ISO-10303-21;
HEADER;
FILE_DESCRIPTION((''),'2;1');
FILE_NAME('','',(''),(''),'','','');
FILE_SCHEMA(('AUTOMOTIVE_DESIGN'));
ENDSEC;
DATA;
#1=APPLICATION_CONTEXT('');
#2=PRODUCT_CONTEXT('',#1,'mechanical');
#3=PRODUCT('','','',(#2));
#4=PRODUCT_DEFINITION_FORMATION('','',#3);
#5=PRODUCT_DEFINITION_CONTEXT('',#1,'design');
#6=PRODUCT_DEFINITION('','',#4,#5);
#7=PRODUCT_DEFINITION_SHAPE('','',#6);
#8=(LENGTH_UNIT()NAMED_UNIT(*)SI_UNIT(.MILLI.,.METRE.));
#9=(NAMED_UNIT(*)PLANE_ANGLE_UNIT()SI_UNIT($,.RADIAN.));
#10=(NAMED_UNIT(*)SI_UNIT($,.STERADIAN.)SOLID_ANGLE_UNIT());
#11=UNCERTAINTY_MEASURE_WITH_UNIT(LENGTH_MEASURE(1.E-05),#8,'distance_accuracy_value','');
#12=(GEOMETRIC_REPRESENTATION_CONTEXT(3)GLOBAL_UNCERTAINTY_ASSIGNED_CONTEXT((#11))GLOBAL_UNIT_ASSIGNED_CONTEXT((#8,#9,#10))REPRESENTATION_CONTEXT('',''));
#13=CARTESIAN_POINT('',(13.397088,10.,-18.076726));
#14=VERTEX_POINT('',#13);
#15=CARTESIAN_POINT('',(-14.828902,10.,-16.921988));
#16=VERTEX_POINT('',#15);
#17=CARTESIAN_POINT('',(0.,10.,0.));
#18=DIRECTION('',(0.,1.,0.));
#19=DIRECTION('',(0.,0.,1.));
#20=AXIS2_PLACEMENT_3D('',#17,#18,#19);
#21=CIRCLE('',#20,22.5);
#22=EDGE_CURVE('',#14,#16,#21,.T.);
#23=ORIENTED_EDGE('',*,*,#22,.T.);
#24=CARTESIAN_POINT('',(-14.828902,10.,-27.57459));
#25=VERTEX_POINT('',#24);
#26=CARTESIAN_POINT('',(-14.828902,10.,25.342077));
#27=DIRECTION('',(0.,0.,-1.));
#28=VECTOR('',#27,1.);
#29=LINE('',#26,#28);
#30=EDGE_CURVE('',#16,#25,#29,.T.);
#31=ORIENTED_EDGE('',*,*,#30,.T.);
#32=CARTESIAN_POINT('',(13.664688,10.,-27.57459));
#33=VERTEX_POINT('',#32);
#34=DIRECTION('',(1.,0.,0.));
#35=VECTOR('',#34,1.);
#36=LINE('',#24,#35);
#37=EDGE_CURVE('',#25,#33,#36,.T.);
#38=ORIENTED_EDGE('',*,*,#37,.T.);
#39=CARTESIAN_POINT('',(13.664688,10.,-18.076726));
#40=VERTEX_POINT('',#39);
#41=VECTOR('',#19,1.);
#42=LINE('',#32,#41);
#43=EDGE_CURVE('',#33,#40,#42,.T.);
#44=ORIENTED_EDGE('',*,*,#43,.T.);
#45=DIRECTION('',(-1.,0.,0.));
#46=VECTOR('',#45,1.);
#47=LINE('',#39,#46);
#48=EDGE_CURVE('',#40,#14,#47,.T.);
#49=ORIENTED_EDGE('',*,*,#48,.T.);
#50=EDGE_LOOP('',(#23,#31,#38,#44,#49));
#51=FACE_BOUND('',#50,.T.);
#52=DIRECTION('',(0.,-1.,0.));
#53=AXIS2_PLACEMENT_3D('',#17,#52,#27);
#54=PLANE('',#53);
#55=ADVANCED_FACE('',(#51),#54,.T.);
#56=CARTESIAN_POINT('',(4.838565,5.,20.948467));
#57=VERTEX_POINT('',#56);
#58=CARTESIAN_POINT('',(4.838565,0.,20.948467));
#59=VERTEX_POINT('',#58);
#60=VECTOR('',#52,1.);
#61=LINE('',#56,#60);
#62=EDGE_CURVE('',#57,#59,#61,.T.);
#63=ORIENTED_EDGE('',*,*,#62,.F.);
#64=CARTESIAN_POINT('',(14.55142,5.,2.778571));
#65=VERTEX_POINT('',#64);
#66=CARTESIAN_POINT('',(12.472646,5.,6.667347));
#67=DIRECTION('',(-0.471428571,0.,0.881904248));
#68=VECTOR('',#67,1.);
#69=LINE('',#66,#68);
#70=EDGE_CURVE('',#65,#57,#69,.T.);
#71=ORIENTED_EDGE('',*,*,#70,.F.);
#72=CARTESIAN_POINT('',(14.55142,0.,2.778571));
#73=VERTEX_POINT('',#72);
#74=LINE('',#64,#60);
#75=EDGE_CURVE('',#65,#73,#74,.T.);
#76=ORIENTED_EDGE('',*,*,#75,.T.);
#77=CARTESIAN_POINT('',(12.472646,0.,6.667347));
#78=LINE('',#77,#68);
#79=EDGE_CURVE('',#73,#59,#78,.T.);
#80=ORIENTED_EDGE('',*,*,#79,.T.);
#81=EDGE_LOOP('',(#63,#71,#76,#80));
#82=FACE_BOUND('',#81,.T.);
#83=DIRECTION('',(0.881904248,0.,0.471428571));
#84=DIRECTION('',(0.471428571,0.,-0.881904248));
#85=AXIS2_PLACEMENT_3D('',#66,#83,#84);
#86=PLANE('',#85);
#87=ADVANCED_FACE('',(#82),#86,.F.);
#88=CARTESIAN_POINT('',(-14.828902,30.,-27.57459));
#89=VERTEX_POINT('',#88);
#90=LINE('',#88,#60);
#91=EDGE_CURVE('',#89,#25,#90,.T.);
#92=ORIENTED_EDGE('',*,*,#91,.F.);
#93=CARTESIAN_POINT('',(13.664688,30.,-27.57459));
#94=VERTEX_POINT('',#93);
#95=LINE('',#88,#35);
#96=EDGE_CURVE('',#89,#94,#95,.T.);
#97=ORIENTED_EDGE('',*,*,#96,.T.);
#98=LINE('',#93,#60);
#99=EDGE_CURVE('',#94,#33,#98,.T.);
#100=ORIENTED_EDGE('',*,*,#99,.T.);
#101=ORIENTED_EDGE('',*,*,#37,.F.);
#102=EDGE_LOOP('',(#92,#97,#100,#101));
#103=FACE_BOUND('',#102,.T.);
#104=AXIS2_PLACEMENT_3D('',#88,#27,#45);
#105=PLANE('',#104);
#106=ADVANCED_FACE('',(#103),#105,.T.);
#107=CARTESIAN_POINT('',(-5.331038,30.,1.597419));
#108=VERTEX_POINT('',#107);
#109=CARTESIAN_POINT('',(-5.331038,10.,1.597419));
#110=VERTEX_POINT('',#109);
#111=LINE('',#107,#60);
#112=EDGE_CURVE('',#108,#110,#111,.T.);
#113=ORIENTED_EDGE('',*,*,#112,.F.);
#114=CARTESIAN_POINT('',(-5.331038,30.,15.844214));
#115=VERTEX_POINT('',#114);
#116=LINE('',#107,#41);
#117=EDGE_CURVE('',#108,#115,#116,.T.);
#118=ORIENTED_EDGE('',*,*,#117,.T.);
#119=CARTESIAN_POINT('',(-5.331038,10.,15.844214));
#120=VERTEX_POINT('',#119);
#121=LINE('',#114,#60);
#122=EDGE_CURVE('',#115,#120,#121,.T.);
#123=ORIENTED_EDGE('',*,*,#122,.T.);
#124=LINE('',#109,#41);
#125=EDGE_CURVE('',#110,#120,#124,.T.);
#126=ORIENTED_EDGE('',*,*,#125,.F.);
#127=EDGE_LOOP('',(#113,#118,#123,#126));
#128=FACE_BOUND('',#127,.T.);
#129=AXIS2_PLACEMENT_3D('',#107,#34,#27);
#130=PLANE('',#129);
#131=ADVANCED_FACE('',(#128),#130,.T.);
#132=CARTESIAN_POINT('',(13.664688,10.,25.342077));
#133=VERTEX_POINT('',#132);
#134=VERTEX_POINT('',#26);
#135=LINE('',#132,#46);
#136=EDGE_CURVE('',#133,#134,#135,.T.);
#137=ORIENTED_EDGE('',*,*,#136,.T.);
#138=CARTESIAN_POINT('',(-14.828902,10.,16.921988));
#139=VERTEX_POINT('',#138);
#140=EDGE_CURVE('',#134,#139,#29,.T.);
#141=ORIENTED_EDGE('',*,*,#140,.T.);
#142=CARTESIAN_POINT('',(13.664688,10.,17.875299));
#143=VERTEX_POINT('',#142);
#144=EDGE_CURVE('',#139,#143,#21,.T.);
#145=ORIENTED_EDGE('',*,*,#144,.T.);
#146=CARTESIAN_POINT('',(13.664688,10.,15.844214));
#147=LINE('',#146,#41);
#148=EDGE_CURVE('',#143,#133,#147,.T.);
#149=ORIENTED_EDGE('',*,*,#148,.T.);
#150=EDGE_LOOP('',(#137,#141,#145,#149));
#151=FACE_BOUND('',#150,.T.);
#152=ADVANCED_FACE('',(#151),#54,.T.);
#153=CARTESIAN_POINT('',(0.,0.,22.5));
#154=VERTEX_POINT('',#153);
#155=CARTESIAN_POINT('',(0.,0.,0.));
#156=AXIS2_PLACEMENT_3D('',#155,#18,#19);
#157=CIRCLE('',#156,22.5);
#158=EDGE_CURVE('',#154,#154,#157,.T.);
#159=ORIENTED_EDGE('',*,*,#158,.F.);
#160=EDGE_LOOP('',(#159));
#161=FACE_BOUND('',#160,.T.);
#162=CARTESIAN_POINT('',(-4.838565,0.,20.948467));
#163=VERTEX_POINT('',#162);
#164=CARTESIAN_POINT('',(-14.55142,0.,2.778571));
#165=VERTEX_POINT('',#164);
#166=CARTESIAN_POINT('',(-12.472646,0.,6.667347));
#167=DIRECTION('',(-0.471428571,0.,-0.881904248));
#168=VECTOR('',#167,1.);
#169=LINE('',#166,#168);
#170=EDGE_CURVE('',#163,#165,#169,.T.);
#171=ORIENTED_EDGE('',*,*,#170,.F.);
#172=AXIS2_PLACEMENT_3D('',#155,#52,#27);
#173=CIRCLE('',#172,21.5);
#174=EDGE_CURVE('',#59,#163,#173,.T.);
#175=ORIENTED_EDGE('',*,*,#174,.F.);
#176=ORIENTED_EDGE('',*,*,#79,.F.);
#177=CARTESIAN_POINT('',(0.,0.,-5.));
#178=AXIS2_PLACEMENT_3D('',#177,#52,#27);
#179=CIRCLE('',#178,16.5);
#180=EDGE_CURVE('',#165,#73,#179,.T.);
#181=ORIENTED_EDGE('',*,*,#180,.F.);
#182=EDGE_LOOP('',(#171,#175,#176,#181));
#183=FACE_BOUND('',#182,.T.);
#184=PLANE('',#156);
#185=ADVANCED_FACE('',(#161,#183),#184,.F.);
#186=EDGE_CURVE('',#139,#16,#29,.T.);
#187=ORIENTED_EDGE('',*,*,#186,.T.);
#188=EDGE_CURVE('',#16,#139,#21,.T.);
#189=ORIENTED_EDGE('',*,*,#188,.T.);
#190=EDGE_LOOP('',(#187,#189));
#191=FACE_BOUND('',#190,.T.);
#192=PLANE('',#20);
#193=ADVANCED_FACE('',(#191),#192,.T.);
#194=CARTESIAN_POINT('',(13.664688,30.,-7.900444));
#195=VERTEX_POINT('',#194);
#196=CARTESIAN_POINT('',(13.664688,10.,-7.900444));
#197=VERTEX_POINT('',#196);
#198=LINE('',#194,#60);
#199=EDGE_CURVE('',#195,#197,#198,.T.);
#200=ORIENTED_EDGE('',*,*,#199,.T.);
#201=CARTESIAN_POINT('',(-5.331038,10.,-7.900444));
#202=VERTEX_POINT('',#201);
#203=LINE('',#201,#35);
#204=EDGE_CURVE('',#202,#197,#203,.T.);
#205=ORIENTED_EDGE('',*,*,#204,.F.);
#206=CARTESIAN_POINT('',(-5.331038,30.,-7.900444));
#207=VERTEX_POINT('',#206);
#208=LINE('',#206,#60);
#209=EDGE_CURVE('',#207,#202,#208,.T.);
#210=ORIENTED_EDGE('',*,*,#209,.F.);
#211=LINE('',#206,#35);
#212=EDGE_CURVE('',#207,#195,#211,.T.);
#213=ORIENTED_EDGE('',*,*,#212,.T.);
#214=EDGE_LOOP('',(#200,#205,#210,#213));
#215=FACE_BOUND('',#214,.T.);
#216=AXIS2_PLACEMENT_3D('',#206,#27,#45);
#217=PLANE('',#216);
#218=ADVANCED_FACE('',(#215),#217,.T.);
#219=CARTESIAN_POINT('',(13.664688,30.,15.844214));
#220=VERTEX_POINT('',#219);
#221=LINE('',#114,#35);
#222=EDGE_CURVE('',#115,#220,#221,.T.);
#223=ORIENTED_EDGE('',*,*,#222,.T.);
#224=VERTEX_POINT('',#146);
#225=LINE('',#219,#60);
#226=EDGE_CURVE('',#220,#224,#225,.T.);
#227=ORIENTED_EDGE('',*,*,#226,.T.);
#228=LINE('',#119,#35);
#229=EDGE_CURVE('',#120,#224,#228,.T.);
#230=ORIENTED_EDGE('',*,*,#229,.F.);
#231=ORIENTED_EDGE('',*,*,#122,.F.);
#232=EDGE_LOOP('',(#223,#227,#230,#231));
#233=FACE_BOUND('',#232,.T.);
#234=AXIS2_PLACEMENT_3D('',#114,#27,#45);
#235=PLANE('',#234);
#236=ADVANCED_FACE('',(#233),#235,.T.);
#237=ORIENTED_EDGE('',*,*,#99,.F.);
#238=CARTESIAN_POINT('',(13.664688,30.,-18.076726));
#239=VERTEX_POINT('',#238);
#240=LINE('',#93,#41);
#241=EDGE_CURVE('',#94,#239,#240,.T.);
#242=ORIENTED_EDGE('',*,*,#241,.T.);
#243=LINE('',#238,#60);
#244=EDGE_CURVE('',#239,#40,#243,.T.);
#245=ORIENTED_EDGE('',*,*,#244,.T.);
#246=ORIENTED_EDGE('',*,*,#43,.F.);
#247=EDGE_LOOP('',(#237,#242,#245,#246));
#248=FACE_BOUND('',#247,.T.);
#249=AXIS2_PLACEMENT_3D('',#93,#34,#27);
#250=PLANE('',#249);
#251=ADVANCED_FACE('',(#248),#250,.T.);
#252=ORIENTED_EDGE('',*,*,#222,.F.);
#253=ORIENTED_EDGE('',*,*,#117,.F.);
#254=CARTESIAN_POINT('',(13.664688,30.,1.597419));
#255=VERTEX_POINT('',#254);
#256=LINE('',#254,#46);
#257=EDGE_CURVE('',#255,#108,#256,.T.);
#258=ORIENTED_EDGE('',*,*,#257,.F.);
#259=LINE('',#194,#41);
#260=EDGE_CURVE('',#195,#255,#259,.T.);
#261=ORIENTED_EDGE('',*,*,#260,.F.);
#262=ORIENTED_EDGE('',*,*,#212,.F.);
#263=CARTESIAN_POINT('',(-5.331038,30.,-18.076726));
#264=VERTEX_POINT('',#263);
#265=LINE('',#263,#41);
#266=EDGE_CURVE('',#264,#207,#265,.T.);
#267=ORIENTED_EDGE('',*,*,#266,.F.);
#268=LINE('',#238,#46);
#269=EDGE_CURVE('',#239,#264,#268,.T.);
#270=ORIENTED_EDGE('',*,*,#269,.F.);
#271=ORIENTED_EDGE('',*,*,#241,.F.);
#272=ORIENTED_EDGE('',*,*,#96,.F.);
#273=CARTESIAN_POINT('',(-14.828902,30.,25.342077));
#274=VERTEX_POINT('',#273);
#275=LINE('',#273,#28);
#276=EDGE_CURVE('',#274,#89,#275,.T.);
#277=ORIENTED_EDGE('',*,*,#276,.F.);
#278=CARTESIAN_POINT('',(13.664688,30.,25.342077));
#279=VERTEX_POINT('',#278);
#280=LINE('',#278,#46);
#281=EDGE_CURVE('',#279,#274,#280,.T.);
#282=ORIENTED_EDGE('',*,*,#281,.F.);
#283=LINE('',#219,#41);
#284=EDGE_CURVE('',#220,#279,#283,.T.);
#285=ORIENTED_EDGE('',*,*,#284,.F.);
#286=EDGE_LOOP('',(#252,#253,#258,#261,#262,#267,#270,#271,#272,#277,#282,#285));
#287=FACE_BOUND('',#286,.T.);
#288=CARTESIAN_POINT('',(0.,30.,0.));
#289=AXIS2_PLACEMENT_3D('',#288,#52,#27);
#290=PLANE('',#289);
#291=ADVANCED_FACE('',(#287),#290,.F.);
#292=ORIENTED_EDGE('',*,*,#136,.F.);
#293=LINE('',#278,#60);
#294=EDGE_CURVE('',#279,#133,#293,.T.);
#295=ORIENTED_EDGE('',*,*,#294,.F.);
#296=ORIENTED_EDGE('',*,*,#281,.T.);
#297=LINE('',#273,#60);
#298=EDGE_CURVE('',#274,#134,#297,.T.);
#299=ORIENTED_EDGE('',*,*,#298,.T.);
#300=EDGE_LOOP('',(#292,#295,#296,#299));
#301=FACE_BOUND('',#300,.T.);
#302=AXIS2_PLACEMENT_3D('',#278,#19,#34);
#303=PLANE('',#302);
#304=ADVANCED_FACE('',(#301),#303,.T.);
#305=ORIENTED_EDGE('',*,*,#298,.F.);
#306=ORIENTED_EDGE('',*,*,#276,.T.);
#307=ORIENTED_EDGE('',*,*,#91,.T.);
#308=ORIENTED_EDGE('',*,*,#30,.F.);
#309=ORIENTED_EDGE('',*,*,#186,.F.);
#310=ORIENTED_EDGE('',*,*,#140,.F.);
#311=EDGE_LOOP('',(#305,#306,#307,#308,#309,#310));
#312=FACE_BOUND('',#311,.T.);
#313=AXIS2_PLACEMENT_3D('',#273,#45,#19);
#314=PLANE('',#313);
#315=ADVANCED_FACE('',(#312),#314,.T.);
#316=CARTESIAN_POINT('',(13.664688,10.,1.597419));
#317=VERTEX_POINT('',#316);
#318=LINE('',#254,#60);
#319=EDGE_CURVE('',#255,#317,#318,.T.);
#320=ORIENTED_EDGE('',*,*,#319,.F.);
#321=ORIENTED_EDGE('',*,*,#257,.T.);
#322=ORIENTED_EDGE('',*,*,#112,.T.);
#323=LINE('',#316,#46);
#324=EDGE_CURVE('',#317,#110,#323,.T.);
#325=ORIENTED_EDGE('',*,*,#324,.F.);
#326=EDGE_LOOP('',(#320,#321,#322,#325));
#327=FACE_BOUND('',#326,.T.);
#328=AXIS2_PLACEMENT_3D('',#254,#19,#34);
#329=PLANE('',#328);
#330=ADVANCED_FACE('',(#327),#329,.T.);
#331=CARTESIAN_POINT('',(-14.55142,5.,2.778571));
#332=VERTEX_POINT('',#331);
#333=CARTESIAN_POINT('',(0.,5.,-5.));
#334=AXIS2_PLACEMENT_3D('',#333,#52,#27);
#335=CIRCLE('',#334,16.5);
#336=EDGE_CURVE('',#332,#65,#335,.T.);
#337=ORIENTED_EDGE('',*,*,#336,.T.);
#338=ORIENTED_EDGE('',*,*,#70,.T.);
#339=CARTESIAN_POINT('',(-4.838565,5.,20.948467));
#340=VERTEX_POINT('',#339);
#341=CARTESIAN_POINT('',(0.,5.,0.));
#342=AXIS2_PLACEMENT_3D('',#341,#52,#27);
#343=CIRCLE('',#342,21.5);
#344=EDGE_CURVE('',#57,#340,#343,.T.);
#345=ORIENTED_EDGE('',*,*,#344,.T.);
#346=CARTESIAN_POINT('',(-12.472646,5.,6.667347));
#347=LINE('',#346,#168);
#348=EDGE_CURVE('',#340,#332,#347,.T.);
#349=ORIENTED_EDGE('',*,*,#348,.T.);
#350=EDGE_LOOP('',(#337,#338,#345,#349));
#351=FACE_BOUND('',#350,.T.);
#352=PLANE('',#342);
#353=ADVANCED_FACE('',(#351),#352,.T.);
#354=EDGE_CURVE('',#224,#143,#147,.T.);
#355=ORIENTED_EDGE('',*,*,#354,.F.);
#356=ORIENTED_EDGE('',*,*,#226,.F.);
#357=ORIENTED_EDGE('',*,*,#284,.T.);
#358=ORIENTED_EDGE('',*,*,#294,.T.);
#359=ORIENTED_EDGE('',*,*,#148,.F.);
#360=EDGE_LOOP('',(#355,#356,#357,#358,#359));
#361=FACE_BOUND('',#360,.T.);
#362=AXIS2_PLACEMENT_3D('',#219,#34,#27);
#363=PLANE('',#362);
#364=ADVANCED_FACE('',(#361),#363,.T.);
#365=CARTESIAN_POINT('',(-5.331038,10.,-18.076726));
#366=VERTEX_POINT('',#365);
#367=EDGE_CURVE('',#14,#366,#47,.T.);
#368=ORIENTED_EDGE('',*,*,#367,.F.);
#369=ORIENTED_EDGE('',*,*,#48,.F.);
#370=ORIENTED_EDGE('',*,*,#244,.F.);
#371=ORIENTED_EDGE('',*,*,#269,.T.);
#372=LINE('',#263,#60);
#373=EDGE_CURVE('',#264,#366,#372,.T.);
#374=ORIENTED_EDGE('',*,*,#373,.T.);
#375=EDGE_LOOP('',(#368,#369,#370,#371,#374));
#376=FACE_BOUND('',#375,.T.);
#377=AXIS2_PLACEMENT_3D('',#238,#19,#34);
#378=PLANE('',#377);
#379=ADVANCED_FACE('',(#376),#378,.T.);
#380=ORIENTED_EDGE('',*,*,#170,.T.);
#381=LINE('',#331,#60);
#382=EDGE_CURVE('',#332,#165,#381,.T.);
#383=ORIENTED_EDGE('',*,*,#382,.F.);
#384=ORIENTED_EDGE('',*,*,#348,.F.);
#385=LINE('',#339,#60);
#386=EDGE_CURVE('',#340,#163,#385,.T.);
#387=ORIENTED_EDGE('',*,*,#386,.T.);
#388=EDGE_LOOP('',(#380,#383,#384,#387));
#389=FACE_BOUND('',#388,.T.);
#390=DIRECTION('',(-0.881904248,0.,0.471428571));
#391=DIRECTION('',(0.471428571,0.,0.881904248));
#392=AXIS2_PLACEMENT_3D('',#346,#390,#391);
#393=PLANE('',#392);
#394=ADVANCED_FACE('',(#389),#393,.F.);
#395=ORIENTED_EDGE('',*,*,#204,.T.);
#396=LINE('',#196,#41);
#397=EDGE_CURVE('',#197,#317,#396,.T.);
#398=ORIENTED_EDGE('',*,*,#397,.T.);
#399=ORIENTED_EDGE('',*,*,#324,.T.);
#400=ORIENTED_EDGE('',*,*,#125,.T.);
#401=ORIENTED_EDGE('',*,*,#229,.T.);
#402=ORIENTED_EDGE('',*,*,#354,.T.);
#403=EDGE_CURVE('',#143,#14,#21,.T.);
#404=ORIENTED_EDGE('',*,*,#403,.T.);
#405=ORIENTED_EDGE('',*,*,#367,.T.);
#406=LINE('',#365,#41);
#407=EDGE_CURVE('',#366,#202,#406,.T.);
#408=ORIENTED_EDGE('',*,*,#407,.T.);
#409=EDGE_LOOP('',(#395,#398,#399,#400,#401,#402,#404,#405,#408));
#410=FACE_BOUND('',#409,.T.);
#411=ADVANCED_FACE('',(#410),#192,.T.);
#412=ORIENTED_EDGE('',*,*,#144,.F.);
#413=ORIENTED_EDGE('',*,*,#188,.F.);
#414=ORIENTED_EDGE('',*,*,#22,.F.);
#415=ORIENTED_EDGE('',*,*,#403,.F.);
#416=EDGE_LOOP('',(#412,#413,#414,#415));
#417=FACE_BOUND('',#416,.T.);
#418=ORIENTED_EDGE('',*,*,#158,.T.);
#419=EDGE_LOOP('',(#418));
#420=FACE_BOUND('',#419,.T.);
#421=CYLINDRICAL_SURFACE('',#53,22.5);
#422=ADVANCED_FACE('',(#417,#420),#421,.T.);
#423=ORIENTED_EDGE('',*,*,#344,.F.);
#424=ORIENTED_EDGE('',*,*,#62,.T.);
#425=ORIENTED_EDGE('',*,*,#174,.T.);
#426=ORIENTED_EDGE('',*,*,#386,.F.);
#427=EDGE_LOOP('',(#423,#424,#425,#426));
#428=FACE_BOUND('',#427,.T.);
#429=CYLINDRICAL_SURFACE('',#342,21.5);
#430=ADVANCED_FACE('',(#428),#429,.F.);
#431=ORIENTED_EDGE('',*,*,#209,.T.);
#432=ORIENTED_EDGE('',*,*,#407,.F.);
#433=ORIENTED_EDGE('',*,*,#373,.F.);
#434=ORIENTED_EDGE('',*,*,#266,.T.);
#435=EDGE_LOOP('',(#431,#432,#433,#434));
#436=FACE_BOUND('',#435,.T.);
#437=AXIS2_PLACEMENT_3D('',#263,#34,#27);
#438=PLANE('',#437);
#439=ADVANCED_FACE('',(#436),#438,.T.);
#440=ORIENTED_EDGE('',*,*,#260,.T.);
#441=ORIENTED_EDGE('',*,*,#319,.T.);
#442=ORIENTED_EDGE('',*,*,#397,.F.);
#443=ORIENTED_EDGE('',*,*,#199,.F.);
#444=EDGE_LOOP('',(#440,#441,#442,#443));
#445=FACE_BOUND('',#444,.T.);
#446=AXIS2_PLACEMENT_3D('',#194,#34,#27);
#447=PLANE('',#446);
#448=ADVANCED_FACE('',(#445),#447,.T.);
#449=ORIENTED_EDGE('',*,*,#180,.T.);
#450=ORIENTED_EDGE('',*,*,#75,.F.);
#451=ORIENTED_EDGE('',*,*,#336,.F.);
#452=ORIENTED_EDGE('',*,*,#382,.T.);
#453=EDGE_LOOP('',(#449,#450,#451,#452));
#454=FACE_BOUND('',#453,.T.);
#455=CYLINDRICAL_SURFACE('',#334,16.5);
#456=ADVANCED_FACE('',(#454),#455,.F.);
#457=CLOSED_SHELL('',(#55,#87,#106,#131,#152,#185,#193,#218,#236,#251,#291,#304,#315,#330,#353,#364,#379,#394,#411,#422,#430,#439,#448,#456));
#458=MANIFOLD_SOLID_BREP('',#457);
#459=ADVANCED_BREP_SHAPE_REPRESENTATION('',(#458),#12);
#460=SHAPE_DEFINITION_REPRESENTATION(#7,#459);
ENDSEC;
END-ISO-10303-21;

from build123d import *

# Parameters (mm, degrees)
SKETCH1_R           = 22.5
BOSS_EXTRUDE1_DEPTH = 10
BOSS_EXTRUDE2_DEPTH = 20
SKETCH3_R           = 16.5
CUT_EXTRUDE2_DEPTH  = 5


with BuildPart() as part:
    # Sketch1 → Boss-Extrude1 (new body)
    with BuildSketch(Plane(origin=(0, 0, 0), x_dir=(1, 0, 0), z_dir=(0, 1, 0))):
        with Locations(Location((0, 0, 0), (0, 0, 270))):
            Circle(SKETCH1_R)
    extrude(amount=BOSS_EXTRUDE1_DEPTH)

    # Sketch2 → Boss-Extrude2 (add)
    with BuildSketch(Plane(origin=(0, 10, 0), x_dir=(1, 0, 0), z_dir=(0, 1, 0))):
        Polygon((-14.828901743, 27.574589589), (13.664688, 27.574589589), (13.664688, 18.076726341), (-5.331038496, 18.076726341), (-5.331038496, 7.90044429), (13.664688, 7.90044429), (13.664688, -1.597418958), (-5.331038496, -1.597418958), (-5.331038496, -15.84421383), (13.664688, -15.84421383), (13.664688, -25.342077078), (-14.828901743, -25.342077078), align=None)
    extrude(amount=BOSS_EXTRUDE2_DEPTH)

    # Sketch3 → Cut-Extrude2 (cut)
    with BuildSketch(Plane.XZ):
        with BuildLine():
            ThreePointArc((-14.551420086, 2.778571429), (0, 11.5), (14.551420086, 2.778571429))
            Line((14.551420086, 2.778571429), (4.83856504, 20.948467447))
            ThreePointArc((4.83856504, 20.948467447), (0, 21.5), (-4.83856504, 20.948467447))
            Line((-4.83856504, 20.948467447), (-14.551420086, 2.778571429))
        make_face()
        with Locations((0, -5)):
            Circle(SKETCH3_R)
    extrude(amount=-CUT_EXTRUDE2_DEPTH, mode=Mode.SUBTRACT)


solid = part.part
